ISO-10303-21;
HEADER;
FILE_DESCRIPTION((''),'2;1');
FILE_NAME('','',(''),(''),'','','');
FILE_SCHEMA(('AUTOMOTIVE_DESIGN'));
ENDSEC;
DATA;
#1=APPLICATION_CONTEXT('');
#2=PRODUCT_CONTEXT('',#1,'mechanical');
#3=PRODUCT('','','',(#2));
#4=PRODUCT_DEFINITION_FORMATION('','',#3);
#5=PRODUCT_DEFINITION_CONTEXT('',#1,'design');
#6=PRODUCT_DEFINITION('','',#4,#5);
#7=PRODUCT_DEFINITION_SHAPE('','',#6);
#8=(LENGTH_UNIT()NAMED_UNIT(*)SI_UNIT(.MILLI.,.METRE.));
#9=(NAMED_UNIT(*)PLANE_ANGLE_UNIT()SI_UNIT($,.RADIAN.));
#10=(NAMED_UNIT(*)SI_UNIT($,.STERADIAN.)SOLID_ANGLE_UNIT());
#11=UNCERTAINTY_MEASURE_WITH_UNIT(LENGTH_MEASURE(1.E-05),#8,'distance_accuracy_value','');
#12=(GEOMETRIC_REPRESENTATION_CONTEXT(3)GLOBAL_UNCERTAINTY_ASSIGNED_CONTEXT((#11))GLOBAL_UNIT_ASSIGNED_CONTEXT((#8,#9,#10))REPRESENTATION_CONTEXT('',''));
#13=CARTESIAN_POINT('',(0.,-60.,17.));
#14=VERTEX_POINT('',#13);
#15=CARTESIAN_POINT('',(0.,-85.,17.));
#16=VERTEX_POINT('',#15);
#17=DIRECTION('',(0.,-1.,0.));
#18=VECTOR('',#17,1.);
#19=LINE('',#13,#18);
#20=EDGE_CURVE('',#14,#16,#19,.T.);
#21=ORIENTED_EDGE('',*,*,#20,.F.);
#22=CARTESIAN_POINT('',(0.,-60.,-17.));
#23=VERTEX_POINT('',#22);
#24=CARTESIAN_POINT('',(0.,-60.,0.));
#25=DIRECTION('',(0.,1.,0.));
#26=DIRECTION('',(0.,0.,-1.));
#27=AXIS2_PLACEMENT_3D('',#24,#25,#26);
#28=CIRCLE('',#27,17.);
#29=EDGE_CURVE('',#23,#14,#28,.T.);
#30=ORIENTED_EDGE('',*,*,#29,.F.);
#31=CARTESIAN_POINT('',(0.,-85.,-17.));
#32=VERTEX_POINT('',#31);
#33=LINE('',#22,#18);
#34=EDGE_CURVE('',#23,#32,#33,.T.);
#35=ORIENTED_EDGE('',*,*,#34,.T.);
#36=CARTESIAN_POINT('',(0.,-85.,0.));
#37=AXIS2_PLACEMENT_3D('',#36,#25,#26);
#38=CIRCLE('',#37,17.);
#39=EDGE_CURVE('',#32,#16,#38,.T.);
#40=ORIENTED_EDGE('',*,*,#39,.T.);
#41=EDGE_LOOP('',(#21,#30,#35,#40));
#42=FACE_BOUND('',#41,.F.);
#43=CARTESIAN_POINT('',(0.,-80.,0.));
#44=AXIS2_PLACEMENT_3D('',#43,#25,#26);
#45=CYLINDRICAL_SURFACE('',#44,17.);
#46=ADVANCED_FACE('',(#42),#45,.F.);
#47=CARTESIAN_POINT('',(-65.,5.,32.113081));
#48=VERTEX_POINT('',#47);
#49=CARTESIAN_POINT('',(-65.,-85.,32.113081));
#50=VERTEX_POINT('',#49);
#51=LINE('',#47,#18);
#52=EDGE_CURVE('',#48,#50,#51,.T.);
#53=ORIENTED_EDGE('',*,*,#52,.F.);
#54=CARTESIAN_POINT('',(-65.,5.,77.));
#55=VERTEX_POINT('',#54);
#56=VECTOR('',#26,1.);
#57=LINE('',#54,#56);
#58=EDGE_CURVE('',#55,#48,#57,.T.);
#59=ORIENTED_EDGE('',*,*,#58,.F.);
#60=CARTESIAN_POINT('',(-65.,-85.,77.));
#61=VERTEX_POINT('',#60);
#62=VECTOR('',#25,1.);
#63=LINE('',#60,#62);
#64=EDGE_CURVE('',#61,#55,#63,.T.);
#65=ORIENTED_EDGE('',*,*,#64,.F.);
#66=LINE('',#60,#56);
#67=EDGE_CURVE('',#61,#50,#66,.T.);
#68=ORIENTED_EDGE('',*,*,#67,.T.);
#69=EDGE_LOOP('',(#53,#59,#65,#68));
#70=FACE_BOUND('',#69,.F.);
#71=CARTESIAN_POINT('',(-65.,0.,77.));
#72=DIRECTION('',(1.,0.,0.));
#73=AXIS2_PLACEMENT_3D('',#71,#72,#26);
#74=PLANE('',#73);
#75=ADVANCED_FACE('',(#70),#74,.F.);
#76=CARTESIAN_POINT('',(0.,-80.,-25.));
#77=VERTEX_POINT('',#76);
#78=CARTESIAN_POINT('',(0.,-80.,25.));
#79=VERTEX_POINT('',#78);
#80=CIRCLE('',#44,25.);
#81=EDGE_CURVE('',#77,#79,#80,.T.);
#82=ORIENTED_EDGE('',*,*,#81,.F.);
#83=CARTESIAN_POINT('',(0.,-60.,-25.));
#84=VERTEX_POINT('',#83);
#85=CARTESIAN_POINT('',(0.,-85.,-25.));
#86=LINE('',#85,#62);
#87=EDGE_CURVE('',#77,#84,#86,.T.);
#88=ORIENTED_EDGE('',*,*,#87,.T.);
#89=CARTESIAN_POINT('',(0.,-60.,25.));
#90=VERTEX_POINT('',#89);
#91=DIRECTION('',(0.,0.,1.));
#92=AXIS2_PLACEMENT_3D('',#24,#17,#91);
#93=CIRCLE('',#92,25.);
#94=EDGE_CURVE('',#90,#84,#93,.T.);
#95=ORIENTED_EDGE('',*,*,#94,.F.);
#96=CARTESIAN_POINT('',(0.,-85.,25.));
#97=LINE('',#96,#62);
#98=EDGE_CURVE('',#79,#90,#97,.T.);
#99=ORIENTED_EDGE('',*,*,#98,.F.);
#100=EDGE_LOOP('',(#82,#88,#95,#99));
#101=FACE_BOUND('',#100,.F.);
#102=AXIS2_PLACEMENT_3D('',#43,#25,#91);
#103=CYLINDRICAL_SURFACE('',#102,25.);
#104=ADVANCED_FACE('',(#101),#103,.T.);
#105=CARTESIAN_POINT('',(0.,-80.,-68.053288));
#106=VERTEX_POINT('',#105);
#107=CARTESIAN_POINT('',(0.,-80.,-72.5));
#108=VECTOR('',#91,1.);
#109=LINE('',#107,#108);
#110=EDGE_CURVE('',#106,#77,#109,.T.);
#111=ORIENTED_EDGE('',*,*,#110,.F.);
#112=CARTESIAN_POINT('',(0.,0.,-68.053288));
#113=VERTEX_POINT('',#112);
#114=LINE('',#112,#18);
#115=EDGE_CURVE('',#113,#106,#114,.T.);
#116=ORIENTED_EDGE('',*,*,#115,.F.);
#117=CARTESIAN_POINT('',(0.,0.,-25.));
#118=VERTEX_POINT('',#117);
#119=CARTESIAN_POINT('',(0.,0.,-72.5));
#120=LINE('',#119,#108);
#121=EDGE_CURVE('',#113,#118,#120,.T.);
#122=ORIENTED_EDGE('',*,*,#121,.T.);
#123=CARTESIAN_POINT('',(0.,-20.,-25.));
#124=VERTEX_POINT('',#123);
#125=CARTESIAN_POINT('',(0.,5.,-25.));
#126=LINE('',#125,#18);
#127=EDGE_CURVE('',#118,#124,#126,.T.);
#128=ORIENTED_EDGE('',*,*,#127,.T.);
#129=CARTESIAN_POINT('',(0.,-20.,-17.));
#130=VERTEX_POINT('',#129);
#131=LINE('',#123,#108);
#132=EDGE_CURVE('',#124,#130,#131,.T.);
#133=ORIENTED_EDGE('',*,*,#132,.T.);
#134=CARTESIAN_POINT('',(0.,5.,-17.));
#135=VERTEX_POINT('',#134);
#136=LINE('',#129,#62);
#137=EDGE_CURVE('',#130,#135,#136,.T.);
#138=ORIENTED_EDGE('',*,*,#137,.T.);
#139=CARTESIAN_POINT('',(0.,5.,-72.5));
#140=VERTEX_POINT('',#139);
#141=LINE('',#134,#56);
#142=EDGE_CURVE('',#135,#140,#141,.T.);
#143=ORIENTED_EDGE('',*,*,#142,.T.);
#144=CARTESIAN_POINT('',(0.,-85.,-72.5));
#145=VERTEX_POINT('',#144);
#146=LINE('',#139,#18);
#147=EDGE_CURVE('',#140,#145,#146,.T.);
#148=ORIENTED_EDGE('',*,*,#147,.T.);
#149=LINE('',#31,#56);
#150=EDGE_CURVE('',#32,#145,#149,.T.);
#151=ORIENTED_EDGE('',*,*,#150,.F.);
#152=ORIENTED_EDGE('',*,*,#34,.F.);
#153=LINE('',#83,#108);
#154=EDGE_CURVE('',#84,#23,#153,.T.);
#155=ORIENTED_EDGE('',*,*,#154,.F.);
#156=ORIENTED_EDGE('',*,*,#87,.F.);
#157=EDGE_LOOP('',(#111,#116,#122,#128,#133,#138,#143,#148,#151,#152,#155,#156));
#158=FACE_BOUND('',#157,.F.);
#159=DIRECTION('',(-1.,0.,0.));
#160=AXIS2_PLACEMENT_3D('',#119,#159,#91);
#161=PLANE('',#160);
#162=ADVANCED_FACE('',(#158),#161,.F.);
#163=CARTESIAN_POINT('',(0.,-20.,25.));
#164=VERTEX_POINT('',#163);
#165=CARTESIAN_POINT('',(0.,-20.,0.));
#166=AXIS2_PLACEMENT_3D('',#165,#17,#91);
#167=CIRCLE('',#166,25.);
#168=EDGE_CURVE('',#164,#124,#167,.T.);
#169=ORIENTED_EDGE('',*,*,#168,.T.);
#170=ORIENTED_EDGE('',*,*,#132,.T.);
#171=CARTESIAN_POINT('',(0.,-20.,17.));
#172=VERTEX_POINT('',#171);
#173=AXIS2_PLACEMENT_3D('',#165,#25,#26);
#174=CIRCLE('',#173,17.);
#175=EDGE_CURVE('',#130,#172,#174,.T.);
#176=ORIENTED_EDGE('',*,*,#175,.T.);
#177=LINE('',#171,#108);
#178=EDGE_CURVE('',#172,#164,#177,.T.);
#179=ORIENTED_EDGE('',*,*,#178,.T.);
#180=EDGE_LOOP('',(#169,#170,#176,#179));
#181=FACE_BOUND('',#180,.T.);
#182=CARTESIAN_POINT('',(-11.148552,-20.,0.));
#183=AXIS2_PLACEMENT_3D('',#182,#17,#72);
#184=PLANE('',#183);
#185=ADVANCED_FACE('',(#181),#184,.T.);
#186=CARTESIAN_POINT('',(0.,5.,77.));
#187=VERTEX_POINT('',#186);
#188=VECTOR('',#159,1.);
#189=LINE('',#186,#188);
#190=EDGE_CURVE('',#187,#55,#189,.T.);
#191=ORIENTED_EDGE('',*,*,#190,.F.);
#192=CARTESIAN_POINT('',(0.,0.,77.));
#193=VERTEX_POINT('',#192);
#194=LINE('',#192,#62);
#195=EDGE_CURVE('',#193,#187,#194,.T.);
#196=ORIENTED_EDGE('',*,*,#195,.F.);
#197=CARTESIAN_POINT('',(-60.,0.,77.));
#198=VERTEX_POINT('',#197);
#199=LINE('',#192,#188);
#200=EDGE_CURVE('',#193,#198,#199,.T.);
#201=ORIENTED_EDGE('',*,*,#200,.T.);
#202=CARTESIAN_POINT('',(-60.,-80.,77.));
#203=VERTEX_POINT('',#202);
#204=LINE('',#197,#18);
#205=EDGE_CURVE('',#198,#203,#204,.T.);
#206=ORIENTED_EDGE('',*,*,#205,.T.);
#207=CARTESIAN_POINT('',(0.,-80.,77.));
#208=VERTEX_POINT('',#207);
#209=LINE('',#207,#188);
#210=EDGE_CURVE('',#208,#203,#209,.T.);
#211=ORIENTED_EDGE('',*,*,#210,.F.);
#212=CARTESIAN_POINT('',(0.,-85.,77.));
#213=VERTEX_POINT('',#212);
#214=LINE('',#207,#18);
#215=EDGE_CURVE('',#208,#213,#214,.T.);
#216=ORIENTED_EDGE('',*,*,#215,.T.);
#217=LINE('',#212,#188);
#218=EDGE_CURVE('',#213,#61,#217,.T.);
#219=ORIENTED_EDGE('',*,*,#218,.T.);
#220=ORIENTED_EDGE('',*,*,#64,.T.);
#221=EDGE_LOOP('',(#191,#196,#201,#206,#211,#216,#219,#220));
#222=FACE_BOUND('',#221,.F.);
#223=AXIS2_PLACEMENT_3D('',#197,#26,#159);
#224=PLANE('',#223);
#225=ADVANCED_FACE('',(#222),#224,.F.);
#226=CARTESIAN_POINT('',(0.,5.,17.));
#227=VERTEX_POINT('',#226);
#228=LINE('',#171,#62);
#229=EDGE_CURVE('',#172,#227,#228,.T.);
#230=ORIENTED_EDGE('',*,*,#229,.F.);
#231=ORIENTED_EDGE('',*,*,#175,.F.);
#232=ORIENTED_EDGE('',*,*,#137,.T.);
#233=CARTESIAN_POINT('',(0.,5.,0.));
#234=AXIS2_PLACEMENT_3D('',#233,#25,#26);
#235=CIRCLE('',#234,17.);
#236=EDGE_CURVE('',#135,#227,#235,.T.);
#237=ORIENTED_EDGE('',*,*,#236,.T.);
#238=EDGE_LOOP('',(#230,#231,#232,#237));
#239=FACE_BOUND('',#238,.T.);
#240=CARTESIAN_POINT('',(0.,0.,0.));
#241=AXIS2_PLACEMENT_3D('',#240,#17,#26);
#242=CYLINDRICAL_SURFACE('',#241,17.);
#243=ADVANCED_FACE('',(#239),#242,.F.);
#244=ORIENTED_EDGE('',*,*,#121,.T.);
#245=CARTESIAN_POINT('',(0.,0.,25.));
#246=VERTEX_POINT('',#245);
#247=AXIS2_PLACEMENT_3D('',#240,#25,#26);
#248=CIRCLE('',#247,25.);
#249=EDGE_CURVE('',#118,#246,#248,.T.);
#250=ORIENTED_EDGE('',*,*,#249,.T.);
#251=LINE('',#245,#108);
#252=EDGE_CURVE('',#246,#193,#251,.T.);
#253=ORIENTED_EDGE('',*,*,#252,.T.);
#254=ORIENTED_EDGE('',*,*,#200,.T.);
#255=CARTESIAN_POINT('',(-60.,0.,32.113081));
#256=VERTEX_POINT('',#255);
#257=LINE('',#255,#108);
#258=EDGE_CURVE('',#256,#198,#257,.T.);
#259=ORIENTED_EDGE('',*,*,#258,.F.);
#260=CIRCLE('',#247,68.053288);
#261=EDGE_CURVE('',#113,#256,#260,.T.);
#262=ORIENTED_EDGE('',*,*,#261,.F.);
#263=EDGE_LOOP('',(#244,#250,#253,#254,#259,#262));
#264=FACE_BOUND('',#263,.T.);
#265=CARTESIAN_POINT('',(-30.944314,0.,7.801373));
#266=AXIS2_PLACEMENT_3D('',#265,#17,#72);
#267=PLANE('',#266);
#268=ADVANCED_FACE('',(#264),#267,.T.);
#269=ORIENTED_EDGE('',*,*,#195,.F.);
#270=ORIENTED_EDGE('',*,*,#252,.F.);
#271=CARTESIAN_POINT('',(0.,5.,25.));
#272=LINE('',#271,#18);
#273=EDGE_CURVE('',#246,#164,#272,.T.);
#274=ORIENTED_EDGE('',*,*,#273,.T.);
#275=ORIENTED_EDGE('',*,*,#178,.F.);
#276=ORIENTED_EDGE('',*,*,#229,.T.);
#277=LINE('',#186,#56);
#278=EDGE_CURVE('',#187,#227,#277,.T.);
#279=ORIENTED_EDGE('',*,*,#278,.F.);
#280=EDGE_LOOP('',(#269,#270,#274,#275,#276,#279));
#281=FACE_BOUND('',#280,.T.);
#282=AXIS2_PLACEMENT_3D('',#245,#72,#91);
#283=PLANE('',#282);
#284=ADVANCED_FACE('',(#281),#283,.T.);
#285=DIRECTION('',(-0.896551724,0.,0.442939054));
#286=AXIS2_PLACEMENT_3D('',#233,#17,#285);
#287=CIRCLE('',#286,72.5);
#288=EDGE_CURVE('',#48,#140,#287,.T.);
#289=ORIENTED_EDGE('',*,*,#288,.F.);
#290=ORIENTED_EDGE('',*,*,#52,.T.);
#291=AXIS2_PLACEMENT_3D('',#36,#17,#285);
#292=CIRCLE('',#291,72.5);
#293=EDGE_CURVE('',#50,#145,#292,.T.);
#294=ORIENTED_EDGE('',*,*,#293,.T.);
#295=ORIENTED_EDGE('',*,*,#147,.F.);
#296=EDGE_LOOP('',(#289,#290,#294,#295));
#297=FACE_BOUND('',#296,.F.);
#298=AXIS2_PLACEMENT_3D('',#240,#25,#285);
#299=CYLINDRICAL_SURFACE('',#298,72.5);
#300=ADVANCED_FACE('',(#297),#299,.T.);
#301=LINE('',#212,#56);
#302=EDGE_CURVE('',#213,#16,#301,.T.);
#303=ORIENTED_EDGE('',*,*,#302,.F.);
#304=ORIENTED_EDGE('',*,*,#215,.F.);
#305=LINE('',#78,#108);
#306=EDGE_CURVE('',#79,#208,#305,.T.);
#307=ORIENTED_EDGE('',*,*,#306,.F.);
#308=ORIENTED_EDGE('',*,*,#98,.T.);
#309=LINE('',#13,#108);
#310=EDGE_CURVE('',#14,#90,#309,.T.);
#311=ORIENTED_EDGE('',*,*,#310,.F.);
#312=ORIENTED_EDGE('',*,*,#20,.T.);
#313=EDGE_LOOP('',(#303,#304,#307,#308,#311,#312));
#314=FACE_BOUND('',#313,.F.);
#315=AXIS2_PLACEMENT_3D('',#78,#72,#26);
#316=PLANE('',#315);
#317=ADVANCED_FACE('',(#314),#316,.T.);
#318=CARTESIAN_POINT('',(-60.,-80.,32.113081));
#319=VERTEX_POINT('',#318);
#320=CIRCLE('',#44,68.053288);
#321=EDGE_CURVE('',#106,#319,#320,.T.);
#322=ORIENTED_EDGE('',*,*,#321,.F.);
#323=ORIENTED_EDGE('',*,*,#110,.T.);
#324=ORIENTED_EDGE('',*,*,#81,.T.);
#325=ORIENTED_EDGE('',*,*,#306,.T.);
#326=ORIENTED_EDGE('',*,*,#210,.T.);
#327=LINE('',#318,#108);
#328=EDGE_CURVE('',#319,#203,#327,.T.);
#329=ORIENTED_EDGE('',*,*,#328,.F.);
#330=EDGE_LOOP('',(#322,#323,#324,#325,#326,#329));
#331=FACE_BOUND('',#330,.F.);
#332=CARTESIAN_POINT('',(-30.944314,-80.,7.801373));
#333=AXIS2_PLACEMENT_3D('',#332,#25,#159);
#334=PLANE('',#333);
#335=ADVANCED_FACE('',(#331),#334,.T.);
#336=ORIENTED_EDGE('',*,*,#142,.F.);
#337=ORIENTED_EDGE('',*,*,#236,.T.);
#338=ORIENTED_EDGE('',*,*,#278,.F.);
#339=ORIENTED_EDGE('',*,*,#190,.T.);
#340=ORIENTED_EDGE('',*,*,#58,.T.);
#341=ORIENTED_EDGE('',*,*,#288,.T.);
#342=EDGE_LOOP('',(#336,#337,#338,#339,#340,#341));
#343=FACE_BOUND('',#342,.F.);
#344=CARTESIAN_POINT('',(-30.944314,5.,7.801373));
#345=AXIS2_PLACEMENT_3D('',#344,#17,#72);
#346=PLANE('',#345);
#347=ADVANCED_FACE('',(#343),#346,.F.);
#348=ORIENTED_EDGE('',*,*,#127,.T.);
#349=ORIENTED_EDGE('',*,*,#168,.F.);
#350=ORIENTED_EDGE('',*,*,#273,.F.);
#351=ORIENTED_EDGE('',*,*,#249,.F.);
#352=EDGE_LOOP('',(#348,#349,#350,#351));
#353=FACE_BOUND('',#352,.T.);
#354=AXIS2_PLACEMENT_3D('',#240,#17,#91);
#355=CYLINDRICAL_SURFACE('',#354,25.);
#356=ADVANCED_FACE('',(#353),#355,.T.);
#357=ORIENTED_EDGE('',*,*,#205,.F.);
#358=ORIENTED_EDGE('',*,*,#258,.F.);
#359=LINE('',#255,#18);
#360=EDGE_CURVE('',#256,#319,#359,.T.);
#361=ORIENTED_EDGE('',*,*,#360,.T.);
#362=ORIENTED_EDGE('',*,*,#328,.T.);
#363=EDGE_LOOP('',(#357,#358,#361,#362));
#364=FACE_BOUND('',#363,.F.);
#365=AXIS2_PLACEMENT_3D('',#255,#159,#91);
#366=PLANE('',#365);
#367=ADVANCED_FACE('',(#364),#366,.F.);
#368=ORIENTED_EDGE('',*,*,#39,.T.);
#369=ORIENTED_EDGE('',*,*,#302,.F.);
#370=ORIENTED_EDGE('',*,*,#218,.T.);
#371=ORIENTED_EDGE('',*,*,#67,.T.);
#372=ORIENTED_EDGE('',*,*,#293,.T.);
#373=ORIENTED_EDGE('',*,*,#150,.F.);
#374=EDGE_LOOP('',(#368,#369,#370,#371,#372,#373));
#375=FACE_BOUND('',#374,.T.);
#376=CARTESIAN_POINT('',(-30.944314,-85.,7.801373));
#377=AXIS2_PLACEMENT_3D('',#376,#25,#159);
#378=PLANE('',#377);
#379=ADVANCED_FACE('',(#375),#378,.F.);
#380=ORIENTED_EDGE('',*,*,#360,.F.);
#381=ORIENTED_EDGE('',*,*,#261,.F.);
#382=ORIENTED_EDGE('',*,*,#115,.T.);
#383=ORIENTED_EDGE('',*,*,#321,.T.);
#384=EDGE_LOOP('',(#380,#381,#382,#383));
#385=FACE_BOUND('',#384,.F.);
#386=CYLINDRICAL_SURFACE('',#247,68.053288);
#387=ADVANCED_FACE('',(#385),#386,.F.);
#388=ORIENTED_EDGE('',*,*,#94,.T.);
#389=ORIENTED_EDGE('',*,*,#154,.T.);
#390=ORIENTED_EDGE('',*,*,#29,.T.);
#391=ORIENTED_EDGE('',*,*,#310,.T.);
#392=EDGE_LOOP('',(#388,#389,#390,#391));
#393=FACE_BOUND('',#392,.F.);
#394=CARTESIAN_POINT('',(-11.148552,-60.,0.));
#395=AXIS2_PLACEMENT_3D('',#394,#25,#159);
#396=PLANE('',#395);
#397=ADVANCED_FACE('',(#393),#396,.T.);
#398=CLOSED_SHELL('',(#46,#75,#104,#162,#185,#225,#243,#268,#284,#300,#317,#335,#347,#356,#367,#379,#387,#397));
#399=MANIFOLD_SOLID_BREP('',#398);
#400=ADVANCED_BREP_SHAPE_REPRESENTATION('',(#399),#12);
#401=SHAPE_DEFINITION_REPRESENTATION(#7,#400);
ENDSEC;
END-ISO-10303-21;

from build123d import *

# Parameters (mm, degrees)
F1_DEPTH      = 20
F1_DEPTH_BACK = 5
F3_DEPTH      = 5
F7_DEPTH      = 80


with BuildPart() as f1:
    # F0 (on Front) → F1 (new body, two sides)
    with BuildSketch(Plane.XZ) as f1_sk:
        with BuildLine():
            Line((0, 17), (0, 25))
            ThreePointArc((0, 25), (-25, 0), (0, -25))
            Line((0, -25), (0, -17))
            ThreePointArc((0, -17), (-17, 0), (0, 17))
        make_face()
    extrude(amount=F1_DEPTH)
    extrude(f1_sk.sketch, amount=-F1_DEPTH_BACK)

    # F2 (on Front) → F3 (join)
    with BuildSketch(Plane.XZ):
        with BuildLine():
            Line((-65, 77), (-65, 32.1130814467))
            ThreePointArc((-65, 32.1130814467), (-61.5810376857, -38.2625900529), (0, -72.5))
            Line((0, -72.5), (0, -25))
            ThreePointArc((0, -25), (-25, 0), (0, 25))
            Line((0, 25), (0, 77))
            Line((0, 77), (-65, 77))
        make_face()
    extrude(amount=-F3_DEPTH)


with BuildPart() as f5_1:
    # F5: instance of F1
    add(f1.part.mirror(Plane.XZ.offset(40)))


with BuildPart() as f1_1:
    add(f1.part)

    add(f5_1.part)  # F7 merges F5_1
    # F6 (on face) → F7 (join, through all)
    with BuildSketch(Plane.XZ):
        with BuildLine():
            Line((-65, 77), (-65, 32.1130814467))
            ThreePointArc((-65, 32.1130814467), (-61.5810376857, -38.2625900529), (0, -72.5))
            Line((0, -72.5), (0, -68.0532879441))
            ThreePointArc((0, -68.0532879441), (-58.3808649236, -34.9703390142), (-60, 32.1130814467))
            Line((-60, 32.1130814467), (-60, 77))
            Line((-60, 77), (-65, 77))
        make_face()
    extrude(amount=F7_DEPTH)


solid = f1_1.part
